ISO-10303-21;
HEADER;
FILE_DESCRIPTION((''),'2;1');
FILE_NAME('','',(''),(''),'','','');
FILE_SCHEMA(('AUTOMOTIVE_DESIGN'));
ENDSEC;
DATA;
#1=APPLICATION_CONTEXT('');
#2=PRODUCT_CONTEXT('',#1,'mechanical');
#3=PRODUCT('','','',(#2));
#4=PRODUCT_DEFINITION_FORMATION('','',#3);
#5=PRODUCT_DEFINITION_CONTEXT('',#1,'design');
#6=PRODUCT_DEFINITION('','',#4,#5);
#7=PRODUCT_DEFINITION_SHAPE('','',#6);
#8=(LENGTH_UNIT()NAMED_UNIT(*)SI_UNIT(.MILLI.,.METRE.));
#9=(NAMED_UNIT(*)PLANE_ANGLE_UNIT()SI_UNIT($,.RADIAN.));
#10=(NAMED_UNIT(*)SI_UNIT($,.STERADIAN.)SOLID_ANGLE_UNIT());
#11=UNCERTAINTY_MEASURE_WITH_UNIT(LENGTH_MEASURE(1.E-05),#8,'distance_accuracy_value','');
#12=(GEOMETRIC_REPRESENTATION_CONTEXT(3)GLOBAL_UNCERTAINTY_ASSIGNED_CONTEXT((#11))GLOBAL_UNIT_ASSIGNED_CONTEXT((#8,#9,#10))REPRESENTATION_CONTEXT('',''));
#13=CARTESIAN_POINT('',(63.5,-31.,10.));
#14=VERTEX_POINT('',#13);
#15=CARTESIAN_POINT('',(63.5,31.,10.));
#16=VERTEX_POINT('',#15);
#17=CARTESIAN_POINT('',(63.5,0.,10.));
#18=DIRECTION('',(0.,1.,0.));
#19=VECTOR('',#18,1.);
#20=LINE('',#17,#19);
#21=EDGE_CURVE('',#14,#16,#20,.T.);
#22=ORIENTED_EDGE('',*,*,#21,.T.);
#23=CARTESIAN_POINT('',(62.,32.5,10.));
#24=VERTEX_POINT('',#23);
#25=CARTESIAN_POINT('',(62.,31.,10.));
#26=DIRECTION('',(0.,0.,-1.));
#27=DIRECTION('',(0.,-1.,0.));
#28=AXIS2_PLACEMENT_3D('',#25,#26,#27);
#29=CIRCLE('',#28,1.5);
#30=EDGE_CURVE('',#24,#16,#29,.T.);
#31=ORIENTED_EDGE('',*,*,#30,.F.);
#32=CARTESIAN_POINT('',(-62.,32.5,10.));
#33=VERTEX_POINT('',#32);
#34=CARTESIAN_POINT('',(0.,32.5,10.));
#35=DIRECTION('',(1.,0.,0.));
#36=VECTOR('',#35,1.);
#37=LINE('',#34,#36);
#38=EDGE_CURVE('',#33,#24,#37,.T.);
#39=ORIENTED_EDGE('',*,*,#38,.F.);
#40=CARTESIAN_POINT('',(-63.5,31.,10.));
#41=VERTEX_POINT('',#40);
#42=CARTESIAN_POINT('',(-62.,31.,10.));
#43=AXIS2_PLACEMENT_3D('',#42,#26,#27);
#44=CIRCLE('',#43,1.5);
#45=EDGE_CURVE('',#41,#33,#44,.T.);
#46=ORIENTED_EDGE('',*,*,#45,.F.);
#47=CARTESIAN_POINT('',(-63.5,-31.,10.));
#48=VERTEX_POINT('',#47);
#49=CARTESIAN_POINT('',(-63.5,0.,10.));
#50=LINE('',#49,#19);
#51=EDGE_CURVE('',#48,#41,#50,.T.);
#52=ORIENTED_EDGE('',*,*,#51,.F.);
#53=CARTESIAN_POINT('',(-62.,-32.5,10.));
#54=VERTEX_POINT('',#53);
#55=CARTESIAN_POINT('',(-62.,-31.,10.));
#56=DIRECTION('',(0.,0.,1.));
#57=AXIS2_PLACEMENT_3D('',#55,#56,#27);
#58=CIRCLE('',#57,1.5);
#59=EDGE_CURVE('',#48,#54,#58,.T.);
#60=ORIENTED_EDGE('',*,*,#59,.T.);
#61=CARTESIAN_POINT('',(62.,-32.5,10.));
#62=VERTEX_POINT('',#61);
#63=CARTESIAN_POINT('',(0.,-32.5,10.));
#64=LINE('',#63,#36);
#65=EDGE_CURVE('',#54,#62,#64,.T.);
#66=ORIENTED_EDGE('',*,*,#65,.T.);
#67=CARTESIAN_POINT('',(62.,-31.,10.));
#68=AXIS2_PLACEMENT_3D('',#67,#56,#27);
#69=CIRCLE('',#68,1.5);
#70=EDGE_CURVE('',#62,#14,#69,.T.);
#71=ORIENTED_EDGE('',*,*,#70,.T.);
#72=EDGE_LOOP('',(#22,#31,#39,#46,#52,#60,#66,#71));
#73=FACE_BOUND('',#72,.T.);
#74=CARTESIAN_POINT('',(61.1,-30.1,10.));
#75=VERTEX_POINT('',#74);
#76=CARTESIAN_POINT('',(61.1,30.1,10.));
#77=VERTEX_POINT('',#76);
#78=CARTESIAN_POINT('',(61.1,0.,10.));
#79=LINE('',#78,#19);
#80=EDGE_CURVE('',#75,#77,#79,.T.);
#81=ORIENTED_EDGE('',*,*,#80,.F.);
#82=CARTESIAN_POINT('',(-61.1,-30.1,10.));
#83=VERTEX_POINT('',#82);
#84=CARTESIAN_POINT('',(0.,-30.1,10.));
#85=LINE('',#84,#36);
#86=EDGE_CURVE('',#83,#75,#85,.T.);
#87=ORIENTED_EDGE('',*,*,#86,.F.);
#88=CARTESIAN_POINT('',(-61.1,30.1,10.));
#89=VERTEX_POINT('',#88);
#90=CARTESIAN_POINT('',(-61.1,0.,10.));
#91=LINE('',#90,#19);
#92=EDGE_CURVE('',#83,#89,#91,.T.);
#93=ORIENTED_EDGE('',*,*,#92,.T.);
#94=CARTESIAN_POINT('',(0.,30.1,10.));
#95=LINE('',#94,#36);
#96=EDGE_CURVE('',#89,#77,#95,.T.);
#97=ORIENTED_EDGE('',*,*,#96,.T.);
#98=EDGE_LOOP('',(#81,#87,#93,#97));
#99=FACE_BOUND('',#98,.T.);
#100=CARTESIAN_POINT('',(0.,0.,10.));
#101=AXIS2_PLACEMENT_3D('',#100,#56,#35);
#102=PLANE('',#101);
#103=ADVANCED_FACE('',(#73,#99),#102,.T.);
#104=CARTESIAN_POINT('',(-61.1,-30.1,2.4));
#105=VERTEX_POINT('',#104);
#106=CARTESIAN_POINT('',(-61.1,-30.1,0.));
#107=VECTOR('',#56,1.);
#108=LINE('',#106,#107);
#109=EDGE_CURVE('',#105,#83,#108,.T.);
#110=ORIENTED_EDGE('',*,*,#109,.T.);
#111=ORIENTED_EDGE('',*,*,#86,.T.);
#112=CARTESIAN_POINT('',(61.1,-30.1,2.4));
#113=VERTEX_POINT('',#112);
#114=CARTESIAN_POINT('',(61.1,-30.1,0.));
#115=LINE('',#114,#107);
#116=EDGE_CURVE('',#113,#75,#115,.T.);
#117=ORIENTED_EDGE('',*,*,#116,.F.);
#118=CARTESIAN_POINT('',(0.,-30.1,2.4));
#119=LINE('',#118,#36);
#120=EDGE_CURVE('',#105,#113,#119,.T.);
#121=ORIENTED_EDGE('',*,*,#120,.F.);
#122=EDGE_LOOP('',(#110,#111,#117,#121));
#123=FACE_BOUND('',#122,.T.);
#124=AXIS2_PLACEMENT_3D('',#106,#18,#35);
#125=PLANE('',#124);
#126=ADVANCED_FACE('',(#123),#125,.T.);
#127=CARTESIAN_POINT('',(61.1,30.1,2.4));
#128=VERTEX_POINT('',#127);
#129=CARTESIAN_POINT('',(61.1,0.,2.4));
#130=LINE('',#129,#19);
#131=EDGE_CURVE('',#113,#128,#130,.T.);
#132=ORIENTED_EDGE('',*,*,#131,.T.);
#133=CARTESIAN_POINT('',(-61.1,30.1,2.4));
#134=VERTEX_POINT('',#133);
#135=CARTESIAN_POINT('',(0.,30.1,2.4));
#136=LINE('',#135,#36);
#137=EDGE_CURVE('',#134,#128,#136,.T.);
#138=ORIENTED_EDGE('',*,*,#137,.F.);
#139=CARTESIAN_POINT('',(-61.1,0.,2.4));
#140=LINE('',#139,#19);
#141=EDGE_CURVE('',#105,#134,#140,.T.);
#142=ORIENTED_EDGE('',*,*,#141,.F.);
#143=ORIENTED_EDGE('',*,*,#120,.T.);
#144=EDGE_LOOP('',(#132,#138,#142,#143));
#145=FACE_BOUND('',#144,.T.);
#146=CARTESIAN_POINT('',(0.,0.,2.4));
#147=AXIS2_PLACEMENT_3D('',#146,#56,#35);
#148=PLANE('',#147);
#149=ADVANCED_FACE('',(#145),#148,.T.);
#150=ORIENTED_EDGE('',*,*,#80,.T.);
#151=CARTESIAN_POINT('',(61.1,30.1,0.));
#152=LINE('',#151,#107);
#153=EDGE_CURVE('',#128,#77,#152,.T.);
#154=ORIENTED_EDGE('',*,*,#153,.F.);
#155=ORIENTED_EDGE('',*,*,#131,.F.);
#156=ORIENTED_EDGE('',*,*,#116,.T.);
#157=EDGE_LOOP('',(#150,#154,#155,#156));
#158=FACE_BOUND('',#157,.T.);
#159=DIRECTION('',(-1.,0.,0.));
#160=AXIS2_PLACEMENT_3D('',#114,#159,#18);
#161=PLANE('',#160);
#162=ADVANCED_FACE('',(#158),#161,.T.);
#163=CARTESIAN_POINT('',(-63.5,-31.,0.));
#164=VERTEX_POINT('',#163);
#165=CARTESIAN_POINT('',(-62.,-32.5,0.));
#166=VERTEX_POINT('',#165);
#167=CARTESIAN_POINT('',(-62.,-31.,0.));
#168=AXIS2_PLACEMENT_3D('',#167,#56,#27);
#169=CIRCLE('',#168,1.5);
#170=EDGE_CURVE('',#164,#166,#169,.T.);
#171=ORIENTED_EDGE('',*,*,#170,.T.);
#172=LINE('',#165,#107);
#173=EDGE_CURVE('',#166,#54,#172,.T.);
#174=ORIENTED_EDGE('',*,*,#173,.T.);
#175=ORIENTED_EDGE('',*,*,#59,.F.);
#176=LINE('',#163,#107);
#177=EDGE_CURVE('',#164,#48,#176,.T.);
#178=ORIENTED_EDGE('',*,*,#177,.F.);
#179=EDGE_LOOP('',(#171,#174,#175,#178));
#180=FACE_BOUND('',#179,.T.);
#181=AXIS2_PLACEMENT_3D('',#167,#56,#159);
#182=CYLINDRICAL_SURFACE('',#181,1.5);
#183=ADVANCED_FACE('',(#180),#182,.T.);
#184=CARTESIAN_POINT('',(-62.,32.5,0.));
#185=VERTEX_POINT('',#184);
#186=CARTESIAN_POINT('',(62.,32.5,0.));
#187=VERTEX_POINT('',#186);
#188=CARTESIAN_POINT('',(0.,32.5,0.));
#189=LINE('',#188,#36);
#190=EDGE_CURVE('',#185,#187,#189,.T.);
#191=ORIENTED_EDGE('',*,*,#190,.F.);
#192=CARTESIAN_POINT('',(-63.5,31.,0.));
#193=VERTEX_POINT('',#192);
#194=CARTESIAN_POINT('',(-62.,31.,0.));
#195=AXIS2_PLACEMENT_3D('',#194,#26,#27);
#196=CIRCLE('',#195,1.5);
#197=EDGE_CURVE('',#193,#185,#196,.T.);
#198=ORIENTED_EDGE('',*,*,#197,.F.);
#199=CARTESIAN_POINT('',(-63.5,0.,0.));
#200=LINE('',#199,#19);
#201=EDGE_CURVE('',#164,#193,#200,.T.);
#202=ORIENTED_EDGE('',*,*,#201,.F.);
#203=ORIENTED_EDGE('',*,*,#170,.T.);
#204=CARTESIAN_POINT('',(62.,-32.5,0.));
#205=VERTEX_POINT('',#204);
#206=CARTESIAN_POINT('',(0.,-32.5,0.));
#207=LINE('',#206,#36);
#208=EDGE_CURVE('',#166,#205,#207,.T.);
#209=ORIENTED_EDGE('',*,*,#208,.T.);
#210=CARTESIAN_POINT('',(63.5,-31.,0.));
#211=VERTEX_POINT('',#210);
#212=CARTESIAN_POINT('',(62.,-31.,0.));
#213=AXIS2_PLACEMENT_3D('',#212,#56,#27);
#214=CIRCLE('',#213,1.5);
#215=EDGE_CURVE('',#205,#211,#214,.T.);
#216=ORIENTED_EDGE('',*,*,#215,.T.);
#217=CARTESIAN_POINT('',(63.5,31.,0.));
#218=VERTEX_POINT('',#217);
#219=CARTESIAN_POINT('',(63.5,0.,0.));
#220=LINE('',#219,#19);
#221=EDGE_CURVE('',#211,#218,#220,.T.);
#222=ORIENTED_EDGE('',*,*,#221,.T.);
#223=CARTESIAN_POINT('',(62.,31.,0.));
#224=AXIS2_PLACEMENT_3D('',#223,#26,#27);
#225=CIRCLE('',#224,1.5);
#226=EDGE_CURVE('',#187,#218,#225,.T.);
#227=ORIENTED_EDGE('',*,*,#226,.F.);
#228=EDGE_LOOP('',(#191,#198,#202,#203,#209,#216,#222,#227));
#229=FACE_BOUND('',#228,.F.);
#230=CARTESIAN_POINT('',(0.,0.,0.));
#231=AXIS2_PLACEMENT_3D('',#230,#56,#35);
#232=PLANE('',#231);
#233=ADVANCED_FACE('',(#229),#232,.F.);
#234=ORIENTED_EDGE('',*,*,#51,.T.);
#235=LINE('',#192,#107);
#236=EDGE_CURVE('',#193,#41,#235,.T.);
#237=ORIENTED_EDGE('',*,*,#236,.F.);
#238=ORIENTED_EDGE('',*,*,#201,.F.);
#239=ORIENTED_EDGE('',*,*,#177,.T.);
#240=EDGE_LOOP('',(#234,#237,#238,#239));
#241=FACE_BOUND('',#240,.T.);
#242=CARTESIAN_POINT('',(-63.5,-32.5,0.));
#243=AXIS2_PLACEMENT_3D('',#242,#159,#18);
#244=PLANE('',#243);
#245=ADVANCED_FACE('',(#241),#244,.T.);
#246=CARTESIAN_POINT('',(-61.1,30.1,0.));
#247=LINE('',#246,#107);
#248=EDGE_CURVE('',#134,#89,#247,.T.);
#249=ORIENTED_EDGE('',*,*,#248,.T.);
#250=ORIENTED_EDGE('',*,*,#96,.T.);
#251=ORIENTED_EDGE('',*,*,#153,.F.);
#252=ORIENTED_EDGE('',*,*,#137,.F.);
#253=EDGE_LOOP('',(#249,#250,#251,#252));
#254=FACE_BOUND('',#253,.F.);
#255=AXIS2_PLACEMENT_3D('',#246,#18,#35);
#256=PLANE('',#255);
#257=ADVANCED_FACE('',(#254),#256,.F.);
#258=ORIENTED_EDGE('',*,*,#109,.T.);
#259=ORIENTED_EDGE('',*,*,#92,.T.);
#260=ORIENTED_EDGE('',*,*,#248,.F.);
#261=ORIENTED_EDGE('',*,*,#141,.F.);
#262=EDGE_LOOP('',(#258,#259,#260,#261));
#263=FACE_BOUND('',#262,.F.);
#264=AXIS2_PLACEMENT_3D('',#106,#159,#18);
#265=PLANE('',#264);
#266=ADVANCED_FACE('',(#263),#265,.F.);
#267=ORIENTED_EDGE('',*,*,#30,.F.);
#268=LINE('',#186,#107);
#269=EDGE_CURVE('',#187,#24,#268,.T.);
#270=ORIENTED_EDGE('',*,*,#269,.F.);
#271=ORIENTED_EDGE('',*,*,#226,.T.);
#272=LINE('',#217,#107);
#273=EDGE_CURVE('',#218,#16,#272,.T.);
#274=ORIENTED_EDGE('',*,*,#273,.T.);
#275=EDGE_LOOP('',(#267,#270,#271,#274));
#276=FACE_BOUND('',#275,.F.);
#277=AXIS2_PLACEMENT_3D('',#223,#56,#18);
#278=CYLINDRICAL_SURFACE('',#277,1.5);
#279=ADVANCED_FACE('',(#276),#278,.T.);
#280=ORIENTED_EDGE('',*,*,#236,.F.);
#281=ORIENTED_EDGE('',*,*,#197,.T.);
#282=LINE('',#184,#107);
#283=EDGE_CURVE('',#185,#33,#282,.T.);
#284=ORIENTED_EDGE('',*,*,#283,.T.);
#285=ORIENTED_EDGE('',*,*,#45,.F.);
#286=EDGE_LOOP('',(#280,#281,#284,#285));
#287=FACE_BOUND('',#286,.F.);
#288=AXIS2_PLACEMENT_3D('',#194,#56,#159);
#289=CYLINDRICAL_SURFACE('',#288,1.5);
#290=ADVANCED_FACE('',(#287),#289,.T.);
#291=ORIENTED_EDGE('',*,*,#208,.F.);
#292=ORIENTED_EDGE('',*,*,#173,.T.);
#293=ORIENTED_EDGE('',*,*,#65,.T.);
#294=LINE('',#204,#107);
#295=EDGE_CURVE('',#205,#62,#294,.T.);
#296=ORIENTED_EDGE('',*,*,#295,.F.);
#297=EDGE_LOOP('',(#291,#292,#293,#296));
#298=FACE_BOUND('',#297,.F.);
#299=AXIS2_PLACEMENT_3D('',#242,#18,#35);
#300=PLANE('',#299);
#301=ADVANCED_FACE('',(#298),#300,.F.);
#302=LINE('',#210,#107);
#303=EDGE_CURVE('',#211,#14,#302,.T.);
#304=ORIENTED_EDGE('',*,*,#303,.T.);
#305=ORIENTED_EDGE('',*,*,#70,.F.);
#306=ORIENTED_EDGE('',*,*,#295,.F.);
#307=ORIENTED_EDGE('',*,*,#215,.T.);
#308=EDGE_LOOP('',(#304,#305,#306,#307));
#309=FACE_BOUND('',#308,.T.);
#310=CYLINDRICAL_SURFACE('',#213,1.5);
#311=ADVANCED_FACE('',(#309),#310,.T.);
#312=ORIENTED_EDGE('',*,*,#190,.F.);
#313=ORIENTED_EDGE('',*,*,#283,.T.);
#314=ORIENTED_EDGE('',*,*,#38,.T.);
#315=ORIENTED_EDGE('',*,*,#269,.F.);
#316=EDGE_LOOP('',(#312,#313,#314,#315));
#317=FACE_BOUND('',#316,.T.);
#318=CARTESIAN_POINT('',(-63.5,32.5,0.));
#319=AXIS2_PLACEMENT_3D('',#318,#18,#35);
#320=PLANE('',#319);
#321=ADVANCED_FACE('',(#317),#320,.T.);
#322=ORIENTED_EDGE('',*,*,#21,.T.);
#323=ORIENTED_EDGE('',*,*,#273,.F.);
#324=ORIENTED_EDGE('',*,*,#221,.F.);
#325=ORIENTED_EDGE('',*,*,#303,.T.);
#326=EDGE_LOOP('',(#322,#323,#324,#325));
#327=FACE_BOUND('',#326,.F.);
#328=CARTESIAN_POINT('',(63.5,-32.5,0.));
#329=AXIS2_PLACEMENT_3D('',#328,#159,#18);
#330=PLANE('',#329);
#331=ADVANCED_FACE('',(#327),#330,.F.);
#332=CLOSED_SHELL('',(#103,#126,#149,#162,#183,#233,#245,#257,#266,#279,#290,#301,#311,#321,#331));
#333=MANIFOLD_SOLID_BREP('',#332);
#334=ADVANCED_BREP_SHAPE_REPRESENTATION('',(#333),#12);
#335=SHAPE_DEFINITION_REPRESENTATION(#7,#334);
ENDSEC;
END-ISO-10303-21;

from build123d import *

# Parameters (mm, degrees)
F1_W     = 127
F1_H     = 65
F1_W_2   = 122.2
F1_H_2   = 60.2
F2_DEPTH = 10
F3_DEPTH = 2.4
F4_R     = 1.5


with BuildPart() as f2:
    # F1 (on Top) → F2 (new body)
    with BuildSketch(Plane.XY):
        Rectangle(F1_W, F1_H)
        Rectangle(F1_W_2, F1_H_2, mode=Mode.SUBTRACT)
    extrude(amount=F2_DEPTH)

    # F1 (on Top) → F3 (join)
    with BuildSketch(Plane.XY):
        Rectangle(F1_W_2, F1_H_2)
    extrude(amount=F3_DEPTH)

    # F4
    f4_edges = [f2.edges().sort_by_distance(p)[0] for p in [
        (63.5, -32.5, 5),
        (63.5, 32.5, 5),
        (-63.5, 32.5, 5),
        (-63.5, -32.5, 5),
    ]]
    fillet(f4_edges, radius=F4_R)


solid = f2.part
